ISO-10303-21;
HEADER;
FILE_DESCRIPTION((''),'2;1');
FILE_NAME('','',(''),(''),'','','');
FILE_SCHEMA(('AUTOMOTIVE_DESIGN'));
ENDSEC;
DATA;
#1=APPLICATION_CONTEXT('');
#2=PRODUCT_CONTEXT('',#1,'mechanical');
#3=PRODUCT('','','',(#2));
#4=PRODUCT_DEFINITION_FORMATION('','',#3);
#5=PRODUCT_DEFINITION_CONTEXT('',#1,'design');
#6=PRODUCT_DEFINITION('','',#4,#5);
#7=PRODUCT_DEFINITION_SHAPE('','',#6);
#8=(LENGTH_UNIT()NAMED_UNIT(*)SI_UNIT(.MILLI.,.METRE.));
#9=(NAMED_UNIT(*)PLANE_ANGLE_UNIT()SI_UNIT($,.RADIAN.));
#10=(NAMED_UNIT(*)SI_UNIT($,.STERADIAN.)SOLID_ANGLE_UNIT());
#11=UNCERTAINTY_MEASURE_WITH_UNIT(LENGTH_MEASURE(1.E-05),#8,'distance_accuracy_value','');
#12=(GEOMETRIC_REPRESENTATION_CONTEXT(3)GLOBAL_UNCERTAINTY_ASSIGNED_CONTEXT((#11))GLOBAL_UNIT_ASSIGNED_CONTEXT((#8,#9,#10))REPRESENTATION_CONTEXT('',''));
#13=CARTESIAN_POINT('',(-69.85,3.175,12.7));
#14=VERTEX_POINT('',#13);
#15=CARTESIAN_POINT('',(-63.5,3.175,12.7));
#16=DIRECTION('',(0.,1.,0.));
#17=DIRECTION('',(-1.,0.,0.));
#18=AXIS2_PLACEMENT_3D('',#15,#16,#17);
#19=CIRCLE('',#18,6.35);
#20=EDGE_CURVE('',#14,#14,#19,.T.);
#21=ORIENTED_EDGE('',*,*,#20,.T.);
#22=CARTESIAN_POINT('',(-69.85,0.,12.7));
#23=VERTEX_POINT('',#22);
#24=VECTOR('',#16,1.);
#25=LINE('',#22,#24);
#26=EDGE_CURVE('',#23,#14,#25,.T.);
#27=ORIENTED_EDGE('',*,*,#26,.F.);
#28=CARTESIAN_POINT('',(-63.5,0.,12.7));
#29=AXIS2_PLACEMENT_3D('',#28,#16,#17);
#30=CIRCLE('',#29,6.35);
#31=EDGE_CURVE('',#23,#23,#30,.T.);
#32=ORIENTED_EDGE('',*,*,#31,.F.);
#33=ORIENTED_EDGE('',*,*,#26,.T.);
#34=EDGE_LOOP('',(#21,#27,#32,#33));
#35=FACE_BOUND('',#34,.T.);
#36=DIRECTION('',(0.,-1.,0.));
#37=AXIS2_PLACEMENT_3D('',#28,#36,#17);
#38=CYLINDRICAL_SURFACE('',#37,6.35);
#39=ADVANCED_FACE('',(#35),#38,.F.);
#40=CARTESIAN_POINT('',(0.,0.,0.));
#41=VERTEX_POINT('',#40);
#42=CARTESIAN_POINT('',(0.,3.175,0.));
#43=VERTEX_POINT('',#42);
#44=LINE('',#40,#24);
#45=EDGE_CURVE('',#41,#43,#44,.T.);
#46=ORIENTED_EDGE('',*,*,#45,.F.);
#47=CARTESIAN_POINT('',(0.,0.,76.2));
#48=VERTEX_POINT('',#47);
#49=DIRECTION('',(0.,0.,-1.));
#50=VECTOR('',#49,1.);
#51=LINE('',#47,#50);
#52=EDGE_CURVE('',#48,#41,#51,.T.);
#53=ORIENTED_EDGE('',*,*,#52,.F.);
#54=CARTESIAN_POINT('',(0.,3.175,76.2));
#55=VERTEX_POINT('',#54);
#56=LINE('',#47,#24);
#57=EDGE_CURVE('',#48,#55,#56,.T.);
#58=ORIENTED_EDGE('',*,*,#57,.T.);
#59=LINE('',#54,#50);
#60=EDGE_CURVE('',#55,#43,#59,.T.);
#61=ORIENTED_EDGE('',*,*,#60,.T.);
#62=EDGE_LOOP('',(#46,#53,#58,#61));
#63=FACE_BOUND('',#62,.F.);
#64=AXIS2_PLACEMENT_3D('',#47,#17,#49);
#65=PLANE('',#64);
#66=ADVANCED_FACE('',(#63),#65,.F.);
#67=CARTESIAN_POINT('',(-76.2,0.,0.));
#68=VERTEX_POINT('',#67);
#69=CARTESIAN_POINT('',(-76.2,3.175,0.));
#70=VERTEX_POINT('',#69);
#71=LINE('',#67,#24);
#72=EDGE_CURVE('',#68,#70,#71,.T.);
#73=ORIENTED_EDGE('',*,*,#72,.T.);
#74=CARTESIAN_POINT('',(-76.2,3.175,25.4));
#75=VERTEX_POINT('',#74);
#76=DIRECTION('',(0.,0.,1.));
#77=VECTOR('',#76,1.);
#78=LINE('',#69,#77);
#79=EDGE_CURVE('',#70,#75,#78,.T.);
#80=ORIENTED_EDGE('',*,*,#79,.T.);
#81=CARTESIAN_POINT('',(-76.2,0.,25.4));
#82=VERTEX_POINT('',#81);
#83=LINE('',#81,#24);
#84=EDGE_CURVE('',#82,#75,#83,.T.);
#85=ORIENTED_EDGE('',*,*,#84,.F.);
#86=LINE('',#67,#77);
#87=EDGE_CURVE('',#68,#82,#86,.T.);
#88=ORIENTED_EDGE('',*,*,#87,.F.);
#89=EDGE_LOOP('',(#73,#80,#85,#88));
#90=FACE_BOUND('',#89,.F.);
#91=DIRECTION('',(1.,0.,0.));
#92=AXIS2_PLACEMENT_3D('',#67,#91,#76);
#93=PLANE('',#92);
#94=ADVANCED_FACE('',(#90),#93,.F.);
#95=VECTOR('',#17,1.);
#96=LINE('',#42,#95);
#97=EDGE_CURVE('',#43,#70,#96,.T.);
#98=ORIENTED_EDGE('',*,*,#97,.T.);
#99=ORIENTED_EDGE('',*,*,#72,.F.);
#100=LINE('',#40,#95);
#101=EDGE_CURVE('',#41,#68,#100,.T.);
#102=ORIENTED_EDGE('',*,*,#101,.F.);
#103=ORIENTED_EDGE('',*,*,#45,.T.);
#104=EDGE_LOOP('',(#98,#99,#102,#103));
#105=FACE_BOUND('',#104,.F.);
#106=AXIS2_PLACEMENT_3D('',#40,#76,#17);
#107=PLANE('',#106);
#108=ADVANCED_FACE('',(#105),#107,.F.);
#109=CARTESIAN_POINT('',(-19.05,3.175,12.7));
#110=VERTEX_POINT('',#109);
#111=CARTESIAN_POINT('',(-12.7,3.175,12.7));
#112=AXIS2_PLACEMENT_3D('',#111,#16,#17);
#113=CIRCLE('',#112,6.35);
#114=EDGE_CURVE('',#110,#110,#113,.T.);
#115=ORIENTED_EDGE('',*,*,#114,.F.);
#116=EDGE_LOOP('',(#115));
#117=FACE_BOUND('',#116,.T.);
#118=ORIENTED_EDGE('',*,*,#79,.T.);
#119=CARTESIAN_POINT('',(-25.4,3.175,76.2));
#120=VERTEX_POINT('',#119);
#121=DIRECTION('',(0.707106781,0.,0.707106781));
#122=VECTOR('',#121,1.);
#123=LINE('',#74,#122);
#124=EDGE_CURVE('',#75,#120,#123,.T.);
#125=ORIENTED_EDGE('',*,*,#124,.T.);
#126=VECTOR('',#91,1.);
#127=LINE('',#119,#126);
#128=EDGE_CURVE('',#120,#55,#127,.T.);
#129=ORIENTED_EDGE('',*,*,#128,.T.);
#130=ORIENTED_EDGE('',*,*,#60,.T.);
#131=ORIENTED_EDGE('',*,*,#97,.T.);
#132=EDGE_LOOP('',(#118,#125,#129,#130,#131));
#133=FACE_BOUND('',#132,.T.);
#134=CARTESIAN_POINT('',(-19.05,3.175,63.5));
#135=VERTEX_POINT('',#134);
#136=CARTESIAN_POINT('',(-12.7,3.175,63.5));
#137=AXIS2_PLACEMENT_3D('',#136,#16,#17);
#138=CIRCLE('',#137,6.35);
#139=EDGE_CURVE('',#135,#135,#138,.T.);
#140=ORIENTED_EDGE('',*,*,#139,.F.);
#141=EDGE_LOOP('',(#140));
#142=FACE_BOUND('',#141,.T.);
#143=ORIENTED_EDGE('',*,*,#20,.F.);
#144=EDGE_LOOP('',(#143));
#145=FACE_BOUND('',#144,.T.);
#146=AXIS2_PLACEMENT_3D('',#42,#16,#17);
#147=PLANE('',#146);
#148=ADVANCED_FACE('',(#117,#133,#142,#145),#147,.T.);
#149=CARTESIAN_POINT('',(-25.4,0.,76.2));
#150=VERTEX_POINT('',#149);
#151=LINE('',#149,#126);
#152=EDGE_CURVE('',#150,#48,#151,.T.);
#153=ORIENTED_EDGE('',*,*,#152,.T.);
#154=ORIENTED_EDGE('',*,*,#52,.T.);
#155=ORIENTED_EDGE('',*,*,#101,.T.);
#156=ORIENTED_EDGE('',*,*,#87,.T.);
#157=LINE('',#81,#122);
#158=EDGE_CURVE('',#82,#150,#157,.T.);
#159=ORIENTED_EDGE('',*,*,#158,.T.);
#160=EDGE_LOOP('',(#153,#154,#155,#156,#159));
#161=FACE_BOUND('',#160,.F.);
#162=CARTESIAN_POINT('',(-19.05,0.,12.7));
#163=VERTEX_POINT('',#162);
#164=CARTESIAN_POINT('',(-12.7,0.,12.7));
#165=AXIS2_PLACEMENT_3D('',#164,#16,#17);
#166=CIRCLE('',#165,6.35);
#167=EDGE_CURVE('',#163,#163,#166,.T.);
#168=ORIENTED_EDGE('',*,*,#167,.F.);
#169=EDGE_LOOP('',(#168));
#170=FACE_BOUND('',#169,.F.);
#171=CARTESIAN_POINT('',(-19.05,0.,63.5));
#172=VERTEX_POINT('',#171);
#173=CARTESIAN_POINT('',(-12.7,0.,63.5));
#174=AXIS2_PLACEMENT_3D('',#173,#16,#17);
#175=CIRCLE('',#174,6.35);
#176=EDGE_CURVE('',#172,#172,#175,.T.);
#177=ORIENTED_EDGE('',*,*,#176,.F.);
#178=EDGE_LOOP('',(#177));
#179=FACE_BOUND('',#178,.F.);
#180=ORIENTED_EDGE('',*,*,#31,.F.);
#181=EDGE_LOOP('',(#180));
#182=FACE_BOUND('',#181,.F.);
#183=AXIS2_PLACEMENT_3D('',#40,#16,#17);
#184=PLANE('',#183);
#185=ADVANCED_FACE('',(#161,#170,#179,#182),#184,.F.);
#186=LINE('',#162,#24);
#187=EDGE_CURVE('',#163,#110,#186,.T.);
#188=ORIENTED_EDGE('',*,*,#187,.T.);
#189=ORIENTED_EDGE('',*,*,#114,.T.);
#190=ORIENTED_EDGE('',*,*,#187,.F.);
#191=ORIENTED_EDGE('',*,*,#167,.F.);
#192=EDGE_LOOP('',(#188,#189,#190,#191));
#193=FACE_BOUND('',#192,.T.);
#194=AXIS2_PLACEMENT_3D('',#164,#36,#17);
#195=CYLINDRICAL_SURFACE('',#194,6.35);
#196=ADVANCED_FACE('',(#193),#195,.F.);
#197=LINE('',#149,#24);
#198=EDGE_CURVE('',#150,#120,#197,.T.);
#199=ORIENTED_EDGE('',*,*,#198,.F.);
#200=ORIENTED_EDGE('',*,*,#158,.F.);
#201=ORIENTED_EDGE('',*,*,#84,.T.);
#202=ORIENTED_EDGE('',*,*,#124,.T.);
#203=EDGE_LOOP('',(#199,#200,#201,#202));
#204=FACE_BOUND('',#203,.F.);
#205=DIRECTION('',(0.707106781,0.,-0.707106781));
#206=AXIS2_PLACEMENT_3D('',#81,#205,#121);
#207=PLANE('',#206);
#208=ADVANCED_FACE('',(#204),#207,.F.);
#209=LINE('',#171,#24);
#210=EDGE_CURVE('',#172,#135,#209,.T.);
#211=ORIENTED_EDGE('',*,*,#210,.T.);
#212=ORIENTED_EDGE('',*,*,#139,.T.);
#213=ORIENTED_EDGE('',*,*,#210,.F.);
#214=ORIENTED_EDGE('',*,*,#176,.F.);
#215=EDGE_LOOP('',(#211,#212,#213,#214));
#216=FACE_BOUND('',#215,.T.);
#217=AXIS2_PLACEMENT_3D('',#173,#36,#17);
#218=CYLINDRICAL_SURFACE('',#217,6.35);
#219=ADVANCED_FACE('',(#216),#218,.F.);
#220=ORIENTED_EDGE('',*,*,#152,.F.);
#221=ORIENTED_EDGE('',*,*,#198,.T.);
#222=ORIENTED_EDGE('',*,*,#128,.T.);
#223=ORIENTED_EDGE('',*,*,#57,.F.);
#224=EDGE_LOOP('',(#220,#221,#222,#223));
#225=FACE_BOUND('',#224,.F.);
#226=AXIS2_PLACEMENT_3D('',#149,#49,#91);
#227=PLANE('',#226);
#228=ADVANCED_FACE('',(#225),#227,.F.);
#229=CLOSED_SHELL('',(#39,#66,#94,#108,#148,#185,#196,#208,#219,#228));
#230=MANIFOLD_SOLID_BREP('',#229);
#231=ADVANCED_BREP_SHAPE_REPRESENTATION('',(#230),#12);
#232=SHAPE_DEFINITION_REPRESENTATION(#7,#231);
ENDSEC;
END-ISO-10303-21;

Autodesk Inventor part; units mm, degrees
ref_plane "YZ Plane" through (0, 0, 0) normal (1, 0, 0) x (0, 1, 0)
ref_plane "XZ Plane" through (0, 0, 0) normal (0, 1, 0) x (-1, 0, 0)
ref_plane "XY Plane" through (0, 0, 0) normal (0, 0, 1) x (1, 0, 0)
sketch "Sketch1" plane through (0, 0, 0) normal (0, 1, 0) x (-1, 0, 0)
  line L0 (0, 0) -> (76.2, 0)
  line L1 (76.2, 0) -> (76.2, 25.4)
  line L2 (25.4, 76.2) -> (0, 76.2)
  line L3 (0, 76.2) -> (0, 0)
  line L4 (76.2, 25.4) -> (25.4, 76.2)
  circle A0 centre (63.5, 12.7) radius 6.35
  circle A1 centre (12.7, 63.5) radius 6.35
  circle A2 centre (12.7, 12.7) radius 6.35
  point P0 (76.2, 76.2)
  dimension "d0" = 76.2
  dimension "d1" = 76.2
  dimension "d2" = 50.8
  dimension "d3" = 50.8
  dimension "d4" = 12.7
  dimension "d5" = 12.7
  dimension "d6" = 12.7
  dimension "d7" = 12.7
  dimension "d8" = 50.8
  dimension "d9" = 50.8
  dimension "d10" = 12.7
  dimension "d11" = 12.7
  dimension "d12" = 12.7
extrude "Extrusion1" add sketch "Sketch1" along normal blind 3.175
equation "\"d0\" = d1"
equation "\"d3\" = d2"
properties part number "3 inch gusset plate"
